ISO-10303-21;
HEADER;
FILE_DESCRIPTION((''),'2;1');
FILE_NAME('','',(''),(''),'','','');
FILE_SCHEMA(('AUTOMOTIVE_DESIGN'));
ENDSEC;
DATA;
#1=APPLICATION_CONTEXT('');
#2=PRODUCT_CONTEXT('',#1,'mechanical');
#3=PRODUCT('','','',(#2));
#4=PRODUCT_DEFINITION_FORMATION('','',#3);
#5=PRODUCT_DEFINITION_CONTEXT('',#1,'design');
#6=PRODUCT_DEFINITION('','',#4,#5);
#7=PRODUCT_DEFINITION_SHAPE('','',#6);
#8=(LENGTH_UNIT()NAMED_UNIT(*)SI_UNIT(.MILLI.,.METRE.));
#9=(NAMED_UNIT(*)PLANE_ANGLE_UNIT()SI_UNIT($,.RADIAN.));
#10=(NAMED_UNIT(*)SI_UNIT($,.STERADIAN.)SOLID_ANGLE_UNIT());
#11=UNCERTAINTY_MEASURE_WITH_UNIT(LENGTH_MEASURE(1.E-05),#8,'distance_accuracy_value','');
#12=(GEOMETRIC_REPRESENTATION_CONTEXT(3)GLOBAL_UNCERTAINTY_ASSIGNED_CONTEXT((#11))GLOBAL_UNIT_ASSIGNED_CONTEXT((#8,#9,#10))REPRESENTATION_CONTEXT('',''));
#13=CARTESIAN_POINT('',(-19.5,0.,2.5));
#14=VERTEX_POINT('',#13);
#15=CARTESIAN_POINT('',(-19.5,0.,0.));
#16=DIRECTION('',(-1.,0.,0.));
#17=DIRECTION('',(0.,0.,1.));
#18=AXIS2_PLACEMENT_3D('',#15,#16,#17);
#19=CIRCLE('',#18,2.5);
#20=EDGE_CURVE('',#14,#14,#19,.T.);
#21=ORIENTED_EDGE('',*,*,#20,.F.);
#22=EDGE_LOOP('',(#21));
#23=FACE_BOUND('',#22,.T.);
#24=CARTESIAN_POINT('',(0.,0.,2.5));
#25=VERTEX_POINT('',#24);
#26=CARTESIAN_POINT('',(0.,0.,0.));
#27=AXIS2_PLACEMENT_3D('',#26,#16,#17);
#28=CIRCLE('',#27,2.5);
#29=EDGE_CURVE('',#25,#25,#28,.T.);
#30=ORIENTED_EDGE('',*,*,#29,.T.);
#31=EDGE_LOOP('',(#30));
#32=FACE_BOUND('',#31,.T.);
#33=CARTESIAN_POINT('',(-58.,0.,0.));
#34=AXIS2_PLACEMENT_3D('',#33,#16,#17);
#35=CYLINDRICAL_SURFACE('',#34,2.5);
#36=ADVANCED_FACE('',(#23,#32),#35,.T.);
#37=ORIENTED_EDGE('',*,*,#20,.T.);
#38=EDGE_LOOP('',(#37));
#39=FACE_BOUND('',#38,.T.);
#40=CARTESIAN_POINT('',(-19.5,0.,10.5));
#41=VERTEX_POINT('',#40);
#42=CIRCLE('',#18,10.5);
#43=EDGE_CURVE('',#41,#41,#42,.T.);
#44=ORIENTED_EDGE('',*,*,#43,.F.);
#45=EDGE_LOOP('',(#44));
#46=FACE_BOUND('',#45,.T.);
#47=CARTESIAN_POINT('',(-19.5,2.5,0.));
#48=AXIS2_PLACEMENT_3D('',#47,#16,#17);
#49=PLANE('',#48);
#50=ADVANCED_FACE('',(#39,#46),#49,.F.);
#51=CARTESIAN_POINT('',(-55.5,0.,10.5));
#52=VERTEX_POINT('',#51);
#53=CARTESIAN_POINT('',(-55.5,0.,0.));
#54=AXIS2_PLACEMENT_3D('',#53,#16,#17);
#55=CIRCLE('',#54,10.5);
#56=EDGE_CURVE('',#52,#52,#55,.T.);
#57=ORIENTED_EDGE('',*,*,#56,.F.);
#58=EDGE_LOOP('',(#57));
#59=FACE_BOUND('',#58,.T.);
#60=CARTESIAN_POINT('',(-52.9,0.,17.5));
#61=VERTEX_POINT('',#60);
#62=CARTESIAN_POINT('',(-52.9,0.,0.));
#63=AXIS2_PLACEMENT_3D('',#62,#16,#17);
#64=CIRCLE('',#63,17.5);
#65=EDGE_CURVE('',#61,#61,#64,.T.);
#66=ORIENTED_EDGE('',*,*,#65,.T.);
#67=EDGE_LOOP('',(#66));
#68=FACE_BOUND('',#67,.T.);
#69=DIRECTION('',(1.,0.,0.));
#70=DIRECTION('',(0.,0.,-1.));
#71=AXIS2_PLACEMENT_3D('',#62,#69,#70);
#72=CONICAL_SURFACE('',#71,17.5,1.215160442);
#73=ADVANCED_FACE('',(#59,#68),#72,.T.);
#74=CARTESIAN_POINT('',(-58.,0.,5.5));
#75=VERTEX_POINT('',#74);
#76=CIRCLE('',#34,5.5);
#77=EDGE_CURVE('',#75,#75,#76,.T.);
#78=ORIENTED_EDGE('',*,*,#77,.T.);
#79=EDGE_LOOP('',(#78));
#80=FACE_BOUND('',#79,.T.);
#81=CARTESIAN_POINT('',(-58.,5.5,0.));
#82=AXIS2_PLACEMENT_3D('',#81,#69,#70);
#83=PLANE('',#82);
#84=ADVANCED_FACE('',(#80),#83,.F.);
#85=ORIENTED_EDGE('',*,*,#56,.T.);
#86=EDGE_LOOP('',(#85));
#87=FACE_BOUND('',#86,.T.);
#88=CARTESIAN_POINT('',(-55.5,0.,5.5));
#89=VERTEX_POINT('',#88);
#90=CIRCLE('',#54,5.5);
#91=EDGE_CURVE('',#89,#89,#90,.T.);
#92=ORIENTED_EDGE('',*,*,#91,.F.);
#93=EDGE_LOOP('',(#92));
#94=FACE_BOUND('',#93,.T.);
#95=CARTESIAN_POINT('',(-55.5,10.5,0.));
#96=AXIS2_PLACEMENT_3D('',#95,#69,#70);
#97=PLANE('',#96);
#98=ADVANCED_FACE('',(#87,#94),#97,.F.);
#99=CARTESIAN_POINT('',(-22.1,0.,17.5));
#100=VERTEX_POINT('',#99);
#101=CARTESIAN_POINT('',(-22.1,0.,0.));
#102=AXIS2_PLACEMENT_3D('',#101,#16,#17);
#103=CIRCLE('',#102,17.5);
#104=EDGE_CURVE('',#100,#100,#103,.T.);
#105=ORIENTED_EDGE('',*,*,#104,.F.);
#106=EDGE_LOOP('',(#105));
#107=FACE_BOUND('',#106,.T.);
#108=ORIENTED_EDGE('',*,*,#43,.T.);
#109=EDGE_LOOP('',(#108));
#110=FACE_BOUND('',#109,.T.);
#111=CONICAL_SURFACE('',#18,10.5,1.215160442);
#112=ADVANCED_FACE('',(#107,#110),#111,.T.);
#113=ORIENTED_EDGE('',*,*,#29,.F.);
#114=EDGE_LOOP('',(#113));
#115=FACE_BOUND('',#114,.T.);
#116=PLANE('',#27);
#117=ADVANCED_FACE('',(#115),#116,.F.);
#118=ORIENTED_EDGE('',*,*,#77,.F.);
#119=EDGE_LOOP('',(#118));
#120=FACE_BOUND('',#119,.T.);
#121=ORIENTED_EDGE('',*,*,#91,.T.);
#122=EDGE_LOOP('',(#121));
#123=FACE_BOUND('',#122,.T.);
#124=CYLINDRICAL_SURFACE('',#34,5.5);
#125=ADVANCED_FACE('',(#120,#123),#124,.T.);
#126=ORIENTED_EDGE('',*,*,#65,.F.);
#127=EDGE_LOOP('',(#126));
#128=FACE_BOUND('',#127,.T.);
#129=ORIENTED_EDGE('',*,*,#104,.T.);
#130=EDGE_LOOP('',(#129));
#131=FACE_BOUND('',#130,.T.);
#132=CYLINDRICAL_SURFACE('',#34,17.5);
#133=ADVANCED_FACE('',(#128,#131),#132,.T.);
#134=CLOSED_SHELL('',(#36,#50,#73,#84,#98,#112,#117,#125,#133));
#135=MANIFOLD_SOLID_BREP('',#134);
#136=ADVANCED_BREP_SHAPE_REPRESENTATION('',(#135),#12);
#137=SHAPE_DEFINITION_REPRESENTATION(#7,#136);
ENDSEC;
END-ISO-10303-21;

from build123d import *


with BuildPart() as part:
    # Sketch1 → Revolve1 (revolve)
    with BuildSketch(Plane.XY, mode=Mode.PRIVATE) as revolve1_sk:
        Polygon((0, 0), (0, 2.5), (-19.5, 2.5), (-19.5, 10.5), (-22.1, 17.5), (-52.9, 17.5), (-55.5, 10.5), (-55.5, 5.5), (-58, 5.5), (-58, 0), align=None)
    revolve(revolve1_sk.sketch.rotate(Axis((-58, 0, 0), (1, 0, 0)), 90), axis=Axis((-58, 0, 0), (1, 0, 0)))


solid = part.part
